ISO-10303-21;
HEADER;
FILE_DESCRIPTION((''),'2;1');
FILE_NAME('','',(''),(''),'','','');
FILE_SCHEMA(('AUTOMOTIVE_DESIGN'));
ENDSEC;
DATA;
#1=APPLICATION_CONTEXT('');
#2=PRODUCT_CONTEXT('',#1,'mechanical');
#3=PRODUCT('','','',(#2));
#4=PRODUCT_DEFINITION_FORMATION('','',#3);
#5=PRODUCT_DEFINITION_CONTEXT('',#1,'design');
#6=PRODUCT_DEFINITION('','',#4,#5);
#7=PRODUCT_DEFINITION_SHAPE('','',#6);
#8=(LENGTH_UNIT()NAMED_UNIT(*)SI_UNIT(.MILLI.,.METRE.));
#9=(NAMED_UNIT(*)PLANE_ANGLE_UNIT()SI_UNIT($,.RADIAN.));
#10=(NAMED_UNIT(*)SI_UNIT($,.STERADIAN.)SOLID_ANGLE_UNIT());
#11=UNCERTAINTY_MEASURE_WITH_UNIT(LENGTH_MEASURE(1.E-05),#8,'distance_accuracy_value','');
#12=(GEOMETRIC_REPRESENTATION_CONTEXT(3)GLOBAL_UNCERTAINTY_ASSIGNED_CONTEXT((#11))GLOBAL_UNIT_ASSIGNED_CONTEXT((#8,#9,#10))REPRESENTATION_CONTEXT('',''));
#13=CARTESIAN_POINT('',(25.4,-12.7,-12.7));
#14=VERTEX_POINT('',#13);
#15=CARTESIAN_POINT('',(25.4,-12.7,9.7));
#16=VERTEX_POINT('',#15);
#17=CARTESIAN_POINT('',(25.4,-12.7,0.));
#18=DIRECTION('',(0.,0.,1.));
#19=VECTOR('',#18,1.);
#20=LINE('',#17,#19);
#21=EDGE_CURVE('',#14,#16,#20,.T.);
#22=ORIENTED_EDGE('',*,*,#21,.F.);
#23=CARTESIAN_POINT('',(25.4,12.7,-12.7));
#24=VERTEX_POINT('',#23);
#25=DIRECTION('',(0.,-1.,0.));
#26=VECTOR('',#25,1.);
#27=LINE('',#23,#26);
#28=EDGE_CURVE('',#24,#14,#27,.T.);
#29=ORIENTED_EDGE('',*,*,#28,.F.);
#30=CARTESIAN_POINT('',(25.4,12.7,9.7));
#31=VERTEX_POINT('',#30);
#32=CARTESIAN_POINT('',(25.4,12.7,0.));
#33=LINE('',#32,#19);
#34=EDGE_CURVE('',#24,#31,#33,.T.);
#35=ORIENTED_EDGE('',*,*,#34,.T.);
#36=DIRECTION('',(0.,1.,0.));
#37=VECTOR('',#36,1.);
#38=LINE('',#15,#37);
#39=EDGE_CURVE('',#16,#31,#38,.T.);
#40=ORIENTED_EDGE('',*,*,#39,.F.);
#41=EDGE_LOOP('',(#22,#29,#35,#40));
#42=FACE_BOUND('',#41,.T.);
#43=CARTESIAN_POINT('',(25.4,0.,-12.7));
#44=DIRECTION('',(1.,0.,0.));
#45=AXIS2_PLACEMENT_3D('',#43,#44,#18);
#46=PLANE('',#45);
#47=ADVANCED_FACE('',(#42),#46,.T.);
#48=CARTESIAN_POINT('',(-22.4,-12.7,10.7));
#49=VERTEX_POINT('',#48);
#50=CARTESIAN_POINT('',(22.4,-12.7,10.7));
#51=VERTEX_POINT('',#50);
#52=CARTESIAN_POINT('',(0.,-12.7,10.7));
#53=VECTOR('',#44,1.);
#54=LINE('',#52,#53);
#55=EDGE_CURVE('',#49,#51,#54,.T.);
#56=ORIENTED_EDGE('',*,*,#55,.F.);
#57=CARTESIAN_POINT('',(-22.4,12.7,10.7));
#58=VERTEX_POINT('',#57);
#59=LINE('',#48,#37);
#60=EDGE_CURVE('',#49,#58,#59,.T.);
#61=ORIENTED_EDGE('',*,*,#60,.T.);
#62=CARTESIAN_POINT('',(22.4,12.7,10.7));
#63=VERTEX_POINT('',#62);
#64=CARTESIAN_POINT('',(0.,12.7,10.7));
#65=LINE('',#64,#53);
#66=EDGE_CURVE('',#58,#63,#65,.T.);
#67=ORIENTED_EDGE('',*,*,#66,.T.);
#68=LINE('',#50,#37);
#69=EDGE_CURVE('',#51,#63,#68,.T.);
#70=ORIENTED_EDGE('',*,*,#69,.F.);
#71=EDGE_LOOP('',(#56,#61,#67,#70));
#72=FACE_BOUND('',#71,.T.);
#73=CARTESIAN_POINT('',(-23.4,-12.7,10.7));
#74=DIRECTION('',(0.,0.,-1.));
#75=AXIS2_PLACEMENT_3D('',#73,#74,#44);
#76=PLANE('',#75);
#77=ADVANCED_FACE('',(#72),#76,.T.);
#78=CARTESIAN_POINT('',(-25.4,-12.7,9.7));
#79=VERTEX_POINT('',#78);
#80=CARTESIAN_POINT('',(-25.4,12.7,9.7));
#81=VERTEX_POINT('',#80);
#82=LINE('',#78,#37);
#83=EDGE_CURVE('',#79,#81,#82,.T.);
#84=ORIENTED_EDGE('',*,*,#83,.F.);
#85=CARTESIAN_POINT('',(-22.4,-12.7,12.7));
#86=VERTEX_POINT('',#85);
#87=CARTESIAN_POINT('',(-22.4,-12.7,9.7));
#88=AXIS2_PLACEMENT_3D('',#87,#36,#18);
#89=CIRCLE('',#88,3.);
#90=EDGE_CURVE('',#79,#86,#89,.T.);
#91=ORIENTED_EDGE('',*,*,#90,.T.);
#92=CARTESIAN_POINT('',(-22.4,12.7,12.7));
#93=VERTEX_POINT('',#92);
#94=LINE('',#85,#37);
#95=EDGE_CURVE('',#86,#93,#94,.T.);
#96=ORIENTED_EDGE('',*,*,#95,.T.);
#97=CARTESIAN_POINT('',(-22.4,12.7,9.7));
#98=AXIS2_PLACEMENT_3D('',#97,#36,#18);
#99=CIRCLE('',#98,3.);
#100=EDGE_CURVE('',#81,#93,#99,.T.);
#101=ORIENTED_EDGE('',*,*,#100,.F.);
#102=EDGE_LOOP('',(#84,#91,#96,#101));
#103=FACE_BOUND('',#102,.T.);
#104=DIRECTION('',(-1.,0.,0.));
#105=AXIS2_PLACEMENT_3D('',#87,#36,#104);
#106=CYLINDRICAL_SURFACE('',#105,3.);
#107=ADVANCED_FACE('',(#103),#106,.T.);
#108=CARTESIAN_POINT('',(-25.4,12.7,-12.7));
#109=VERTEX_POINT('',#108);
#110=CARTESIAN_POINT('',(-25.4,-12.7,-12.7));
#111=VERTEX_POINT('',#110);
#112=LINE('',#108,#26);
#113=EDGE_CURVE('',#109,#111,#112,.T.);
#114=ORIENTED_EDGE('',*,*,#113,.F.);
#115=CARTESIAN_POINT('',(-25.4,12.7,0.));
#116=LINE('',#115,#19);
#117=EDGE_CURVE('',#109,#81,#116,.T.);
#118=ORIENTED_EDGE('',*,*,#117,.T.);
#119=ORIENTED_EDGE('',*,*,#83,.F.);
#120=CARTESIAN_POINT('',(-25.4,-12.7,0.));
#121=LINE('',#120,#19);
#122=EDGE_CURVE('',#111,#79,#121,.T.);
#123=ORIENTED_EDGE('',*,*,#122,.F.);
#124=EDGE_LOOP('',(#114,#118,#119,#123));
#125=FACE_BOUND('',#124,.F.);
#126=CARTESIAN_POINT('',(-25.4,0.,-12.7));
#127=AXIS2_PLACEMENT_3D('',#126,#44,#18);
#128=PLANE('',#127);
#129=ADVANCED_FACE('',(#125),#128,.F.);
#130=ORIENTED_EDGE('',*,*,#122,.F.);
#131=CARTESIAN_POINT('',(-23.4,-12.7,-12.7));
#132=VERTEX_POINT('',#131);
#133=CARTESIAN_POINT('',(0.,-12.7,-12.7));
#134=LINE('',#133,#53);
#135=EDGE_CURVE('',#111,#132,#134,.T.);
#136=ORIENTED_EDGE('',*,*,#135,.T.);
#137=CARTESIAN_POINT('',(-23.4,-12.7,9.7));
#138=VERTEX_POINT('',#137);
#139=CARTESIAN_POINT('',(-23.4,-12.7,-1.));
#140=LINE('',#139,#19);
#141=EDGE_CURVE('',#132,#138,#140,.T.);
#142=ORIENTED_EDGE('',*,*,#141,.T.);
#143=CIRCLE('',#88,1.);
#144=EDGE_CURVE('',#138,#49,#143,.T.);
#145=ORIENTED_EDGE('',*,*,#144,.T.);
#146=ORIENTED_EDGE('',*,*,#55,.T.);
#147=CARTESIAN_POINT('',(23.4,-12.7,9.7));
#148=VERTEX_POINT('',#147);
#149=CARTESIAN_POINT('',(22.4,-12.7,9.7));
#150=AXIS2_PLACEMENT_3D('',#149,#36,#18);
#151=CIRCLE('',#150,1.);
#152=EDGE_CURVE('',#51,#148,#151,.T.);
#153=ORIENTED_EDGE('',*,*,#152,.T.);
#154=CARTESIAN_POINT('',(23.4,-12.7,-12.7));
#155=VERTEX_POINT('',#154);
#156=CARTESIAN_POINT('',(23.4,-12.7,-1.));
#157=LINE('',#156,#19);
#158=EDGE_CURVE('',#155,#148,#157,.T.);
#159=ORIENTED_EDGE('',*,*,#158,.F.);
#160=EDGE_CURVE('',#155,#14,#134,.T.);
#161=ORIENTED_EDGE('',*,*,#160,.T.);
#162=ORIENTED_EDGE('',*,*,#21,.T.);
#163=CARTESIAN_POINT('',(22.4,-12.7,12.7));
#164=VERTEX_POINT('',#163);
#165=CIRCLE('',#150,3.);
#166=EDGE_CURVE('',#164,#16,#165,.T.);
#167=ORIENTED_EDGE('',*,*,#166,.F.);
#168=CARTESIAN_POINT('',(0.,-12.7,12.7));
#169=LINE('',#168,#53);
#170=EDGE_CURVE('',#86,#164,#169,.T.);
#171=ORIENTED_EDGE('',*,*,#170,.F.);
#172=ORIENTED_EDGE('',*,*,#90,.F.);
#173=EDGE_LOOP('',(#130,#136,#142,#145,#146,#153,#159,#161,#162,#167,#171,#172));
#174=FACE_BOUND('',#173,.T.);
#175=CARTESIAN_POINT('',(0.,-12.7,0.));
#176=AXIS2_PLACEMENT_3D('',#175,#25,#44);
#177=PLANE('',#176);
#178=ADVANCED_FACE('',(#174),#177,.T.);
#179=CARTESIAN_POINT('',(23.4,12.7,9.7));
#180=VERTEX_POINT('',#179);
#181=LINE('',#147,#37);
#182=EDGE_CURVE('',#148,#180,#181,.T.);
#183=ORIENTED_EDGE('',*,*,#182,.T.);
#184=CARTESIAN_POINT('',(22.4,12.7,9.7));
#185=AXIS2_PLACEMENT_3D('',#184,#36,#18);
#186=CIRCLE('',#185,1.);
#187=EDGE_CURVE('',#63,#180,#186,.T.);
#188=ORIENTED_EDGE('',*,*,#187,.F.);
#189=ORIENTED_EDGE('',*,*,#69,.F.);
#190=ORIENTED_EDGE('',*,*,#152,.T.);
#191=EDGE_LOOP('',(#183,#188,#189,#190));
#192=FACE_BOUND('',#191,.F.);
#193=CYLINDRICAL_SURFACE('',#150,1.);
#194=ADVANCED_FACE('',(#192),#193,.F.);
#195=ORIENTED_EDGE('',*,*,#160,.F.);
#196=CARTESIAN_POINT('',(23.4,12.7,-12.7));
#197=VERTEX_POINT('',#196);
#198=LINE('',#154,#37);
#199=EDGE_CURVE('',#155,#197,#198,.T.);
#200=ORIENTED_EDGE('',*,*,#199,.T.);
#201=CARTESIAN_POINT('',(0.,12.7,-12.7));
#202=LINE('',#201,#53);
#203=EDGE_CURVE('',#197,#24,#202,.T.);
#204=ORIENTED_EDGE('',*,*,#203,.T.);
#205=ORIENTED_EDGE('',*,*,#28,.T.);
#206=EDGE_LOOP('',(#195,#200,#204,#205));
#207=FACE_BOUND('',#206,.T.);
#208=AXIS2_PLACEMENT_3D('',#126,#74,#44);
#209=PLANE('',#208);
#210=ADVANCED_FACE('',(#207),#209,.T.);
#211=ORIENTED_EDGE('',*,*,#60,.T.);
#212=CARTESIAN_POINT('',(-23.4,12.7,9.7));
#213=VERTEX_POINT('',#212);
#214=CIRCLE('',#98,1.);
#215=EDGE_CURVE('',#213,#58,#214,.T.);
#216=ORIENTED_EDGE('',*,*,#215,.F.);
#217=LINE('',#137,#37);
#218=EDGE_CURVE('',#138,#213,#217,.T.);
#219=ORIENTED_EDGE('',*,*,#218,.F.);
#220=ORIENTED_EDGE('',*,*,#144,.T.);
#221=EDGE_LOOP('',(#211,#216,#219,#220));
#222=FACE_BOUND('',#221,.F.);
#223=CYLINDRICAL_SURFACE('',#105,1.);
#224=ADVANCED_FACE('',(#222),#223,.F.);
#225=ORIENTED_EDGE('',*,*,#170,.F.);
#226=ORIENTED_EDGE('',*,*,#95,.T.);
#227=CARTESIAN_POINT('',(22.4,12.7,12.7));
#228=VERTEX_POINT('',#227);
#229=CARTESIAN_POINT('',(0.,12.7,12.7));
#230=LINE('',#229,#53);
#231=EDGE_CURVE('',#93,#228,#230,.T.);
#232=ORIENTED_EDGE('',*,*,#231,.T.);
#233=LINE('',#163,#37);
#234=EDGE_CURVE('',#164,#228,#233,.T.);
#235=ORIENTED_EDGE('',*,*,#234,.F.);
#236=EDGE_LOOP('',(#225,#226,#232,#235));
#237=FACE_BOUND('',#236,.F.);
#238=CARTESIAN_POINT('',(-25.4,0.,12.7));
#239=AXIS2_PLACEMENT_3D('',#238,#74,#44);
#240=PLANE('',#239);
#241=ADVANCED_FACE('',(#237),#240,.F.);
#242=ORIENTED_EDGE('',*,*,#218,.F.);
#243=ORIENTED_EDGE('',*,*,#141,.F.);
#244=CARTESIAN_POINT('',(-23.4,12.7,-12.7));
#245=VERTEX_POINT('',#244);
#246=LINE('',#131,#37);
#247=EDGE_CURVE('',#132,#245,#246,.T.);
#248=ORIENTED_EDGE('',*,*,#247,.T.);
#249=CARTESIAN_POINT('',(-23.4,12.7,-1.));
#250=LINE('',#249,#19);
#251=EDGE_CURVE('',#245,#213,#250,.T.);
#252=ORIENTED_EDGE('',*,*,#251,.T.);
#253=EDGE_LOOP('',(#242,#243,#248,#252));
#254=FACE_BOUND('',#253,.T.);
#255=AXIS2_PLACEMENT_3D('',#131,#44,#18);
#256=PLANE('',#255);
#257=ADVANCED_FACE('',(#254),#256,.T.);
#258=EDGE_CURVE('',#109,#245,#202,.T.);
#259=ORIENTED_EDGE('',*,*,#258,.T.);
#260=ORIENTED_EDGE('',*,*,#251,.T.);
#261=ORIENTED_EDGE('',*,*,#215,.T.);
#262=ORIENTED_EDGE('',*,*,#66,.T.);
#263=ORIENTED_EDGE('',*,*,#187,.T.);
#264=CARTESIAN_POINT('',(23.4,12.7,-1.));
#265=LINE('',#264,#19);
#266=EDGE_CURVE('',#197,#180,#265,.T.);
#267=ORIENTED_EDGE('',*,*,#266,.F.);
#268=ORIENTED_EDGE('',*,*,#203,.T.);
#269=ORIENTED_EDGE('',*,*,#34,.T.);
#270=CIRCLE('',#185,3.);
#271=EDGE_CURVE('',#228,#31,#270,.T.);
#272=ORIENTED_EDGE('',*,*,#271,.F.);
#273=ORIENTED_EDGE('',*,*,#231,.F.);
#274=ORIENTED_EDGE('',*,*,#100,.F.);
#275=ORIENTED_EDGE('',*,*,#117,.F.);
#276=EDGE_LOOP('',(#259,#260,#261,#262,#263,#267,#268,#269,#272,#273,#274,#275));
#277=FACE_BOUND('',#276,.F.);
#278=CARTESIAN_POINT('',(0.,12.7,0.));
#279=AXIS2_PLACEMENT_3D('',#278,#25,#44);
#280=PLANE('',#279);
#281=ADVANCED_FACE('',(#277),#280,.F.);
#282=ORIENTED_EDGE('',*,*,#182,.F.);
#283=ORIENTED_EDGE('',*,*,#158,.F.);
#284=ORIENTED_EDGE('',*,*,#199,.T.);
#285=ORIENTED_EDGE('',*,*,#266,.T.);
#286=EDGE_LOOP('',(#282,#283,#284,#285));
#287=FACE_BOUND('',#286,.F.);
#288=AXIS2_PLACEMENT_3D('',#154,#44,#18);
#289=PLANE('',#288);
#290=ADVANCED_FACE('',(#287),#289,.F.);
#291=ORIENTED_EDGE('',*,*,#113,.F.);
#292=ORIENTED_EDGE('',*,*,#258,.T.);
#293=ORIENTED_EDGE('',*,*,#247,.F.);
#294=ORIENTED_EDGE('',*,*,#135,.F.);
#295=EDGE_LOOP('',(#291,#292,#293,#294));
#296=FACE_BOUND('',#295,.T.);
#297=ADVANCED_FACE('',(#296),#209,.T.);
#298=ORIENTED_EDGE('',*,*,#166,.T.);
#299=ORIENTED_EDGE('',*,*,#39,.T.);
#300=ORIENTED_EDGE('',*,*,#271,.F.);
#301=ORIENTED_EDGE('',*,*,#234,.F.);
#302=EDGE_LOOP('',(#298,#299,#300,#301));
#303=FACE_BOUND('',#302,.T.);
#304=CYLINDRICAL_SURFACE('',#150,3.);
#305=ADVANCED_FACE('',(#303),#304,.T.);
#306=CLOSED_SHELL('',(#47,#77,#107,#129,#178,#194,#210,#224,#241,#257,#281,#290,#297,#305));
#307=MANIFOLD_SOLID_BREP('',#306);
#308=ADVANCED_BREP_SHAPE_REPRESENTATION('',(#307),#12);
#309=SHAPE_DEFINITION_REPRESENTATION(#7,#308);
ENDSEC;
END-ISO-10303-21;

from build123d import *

# Parameters (mm, degrees)
F0_W     = 50.8
F0_H     = 25.4
F1_DEPTH = 12.7
F2_W     = 46.8
F2_H     = 23.4
F3_DEPTH = 25.4
F4_R     = 3
F5_R     = 1


with BuildPart() as f1:
    # F0 (on Front) → F1 (new body, symmetric)
    with BuildSketch(Plane.XZ):
        Rectangle(F0_W, F0_H)
    extrude(amount=F1_DEPTH, both=True)

    # F2 (on face) → F3 (cut, through all)
    with BuildSketch(Plane.XZ.offset(12.7)):
        with Locations((0, -1)):
            Rectangle(F2_W, F2_H)
    extrude(amount=-F3_DEPTH, mode=Mode.SUBTRACT)

    # F4
    f4_edges = [f1.edges().sort_by_distance(p)[0] for p in [
        (-25.4, 0, 12.7),
        (25.4, 0, 12.7),
    ]]
    fillet(f4_edges, radius=F4_R)

    # F5
    f5_edges = [f1.edges().sort_by_distance(p)[0] for p in [
        (-23.4, 0, 10.7),
        (23.4, 0, 10.7),
    ]]
    fillet(f5_edges, radius=F5_R)


solid = f1.part
